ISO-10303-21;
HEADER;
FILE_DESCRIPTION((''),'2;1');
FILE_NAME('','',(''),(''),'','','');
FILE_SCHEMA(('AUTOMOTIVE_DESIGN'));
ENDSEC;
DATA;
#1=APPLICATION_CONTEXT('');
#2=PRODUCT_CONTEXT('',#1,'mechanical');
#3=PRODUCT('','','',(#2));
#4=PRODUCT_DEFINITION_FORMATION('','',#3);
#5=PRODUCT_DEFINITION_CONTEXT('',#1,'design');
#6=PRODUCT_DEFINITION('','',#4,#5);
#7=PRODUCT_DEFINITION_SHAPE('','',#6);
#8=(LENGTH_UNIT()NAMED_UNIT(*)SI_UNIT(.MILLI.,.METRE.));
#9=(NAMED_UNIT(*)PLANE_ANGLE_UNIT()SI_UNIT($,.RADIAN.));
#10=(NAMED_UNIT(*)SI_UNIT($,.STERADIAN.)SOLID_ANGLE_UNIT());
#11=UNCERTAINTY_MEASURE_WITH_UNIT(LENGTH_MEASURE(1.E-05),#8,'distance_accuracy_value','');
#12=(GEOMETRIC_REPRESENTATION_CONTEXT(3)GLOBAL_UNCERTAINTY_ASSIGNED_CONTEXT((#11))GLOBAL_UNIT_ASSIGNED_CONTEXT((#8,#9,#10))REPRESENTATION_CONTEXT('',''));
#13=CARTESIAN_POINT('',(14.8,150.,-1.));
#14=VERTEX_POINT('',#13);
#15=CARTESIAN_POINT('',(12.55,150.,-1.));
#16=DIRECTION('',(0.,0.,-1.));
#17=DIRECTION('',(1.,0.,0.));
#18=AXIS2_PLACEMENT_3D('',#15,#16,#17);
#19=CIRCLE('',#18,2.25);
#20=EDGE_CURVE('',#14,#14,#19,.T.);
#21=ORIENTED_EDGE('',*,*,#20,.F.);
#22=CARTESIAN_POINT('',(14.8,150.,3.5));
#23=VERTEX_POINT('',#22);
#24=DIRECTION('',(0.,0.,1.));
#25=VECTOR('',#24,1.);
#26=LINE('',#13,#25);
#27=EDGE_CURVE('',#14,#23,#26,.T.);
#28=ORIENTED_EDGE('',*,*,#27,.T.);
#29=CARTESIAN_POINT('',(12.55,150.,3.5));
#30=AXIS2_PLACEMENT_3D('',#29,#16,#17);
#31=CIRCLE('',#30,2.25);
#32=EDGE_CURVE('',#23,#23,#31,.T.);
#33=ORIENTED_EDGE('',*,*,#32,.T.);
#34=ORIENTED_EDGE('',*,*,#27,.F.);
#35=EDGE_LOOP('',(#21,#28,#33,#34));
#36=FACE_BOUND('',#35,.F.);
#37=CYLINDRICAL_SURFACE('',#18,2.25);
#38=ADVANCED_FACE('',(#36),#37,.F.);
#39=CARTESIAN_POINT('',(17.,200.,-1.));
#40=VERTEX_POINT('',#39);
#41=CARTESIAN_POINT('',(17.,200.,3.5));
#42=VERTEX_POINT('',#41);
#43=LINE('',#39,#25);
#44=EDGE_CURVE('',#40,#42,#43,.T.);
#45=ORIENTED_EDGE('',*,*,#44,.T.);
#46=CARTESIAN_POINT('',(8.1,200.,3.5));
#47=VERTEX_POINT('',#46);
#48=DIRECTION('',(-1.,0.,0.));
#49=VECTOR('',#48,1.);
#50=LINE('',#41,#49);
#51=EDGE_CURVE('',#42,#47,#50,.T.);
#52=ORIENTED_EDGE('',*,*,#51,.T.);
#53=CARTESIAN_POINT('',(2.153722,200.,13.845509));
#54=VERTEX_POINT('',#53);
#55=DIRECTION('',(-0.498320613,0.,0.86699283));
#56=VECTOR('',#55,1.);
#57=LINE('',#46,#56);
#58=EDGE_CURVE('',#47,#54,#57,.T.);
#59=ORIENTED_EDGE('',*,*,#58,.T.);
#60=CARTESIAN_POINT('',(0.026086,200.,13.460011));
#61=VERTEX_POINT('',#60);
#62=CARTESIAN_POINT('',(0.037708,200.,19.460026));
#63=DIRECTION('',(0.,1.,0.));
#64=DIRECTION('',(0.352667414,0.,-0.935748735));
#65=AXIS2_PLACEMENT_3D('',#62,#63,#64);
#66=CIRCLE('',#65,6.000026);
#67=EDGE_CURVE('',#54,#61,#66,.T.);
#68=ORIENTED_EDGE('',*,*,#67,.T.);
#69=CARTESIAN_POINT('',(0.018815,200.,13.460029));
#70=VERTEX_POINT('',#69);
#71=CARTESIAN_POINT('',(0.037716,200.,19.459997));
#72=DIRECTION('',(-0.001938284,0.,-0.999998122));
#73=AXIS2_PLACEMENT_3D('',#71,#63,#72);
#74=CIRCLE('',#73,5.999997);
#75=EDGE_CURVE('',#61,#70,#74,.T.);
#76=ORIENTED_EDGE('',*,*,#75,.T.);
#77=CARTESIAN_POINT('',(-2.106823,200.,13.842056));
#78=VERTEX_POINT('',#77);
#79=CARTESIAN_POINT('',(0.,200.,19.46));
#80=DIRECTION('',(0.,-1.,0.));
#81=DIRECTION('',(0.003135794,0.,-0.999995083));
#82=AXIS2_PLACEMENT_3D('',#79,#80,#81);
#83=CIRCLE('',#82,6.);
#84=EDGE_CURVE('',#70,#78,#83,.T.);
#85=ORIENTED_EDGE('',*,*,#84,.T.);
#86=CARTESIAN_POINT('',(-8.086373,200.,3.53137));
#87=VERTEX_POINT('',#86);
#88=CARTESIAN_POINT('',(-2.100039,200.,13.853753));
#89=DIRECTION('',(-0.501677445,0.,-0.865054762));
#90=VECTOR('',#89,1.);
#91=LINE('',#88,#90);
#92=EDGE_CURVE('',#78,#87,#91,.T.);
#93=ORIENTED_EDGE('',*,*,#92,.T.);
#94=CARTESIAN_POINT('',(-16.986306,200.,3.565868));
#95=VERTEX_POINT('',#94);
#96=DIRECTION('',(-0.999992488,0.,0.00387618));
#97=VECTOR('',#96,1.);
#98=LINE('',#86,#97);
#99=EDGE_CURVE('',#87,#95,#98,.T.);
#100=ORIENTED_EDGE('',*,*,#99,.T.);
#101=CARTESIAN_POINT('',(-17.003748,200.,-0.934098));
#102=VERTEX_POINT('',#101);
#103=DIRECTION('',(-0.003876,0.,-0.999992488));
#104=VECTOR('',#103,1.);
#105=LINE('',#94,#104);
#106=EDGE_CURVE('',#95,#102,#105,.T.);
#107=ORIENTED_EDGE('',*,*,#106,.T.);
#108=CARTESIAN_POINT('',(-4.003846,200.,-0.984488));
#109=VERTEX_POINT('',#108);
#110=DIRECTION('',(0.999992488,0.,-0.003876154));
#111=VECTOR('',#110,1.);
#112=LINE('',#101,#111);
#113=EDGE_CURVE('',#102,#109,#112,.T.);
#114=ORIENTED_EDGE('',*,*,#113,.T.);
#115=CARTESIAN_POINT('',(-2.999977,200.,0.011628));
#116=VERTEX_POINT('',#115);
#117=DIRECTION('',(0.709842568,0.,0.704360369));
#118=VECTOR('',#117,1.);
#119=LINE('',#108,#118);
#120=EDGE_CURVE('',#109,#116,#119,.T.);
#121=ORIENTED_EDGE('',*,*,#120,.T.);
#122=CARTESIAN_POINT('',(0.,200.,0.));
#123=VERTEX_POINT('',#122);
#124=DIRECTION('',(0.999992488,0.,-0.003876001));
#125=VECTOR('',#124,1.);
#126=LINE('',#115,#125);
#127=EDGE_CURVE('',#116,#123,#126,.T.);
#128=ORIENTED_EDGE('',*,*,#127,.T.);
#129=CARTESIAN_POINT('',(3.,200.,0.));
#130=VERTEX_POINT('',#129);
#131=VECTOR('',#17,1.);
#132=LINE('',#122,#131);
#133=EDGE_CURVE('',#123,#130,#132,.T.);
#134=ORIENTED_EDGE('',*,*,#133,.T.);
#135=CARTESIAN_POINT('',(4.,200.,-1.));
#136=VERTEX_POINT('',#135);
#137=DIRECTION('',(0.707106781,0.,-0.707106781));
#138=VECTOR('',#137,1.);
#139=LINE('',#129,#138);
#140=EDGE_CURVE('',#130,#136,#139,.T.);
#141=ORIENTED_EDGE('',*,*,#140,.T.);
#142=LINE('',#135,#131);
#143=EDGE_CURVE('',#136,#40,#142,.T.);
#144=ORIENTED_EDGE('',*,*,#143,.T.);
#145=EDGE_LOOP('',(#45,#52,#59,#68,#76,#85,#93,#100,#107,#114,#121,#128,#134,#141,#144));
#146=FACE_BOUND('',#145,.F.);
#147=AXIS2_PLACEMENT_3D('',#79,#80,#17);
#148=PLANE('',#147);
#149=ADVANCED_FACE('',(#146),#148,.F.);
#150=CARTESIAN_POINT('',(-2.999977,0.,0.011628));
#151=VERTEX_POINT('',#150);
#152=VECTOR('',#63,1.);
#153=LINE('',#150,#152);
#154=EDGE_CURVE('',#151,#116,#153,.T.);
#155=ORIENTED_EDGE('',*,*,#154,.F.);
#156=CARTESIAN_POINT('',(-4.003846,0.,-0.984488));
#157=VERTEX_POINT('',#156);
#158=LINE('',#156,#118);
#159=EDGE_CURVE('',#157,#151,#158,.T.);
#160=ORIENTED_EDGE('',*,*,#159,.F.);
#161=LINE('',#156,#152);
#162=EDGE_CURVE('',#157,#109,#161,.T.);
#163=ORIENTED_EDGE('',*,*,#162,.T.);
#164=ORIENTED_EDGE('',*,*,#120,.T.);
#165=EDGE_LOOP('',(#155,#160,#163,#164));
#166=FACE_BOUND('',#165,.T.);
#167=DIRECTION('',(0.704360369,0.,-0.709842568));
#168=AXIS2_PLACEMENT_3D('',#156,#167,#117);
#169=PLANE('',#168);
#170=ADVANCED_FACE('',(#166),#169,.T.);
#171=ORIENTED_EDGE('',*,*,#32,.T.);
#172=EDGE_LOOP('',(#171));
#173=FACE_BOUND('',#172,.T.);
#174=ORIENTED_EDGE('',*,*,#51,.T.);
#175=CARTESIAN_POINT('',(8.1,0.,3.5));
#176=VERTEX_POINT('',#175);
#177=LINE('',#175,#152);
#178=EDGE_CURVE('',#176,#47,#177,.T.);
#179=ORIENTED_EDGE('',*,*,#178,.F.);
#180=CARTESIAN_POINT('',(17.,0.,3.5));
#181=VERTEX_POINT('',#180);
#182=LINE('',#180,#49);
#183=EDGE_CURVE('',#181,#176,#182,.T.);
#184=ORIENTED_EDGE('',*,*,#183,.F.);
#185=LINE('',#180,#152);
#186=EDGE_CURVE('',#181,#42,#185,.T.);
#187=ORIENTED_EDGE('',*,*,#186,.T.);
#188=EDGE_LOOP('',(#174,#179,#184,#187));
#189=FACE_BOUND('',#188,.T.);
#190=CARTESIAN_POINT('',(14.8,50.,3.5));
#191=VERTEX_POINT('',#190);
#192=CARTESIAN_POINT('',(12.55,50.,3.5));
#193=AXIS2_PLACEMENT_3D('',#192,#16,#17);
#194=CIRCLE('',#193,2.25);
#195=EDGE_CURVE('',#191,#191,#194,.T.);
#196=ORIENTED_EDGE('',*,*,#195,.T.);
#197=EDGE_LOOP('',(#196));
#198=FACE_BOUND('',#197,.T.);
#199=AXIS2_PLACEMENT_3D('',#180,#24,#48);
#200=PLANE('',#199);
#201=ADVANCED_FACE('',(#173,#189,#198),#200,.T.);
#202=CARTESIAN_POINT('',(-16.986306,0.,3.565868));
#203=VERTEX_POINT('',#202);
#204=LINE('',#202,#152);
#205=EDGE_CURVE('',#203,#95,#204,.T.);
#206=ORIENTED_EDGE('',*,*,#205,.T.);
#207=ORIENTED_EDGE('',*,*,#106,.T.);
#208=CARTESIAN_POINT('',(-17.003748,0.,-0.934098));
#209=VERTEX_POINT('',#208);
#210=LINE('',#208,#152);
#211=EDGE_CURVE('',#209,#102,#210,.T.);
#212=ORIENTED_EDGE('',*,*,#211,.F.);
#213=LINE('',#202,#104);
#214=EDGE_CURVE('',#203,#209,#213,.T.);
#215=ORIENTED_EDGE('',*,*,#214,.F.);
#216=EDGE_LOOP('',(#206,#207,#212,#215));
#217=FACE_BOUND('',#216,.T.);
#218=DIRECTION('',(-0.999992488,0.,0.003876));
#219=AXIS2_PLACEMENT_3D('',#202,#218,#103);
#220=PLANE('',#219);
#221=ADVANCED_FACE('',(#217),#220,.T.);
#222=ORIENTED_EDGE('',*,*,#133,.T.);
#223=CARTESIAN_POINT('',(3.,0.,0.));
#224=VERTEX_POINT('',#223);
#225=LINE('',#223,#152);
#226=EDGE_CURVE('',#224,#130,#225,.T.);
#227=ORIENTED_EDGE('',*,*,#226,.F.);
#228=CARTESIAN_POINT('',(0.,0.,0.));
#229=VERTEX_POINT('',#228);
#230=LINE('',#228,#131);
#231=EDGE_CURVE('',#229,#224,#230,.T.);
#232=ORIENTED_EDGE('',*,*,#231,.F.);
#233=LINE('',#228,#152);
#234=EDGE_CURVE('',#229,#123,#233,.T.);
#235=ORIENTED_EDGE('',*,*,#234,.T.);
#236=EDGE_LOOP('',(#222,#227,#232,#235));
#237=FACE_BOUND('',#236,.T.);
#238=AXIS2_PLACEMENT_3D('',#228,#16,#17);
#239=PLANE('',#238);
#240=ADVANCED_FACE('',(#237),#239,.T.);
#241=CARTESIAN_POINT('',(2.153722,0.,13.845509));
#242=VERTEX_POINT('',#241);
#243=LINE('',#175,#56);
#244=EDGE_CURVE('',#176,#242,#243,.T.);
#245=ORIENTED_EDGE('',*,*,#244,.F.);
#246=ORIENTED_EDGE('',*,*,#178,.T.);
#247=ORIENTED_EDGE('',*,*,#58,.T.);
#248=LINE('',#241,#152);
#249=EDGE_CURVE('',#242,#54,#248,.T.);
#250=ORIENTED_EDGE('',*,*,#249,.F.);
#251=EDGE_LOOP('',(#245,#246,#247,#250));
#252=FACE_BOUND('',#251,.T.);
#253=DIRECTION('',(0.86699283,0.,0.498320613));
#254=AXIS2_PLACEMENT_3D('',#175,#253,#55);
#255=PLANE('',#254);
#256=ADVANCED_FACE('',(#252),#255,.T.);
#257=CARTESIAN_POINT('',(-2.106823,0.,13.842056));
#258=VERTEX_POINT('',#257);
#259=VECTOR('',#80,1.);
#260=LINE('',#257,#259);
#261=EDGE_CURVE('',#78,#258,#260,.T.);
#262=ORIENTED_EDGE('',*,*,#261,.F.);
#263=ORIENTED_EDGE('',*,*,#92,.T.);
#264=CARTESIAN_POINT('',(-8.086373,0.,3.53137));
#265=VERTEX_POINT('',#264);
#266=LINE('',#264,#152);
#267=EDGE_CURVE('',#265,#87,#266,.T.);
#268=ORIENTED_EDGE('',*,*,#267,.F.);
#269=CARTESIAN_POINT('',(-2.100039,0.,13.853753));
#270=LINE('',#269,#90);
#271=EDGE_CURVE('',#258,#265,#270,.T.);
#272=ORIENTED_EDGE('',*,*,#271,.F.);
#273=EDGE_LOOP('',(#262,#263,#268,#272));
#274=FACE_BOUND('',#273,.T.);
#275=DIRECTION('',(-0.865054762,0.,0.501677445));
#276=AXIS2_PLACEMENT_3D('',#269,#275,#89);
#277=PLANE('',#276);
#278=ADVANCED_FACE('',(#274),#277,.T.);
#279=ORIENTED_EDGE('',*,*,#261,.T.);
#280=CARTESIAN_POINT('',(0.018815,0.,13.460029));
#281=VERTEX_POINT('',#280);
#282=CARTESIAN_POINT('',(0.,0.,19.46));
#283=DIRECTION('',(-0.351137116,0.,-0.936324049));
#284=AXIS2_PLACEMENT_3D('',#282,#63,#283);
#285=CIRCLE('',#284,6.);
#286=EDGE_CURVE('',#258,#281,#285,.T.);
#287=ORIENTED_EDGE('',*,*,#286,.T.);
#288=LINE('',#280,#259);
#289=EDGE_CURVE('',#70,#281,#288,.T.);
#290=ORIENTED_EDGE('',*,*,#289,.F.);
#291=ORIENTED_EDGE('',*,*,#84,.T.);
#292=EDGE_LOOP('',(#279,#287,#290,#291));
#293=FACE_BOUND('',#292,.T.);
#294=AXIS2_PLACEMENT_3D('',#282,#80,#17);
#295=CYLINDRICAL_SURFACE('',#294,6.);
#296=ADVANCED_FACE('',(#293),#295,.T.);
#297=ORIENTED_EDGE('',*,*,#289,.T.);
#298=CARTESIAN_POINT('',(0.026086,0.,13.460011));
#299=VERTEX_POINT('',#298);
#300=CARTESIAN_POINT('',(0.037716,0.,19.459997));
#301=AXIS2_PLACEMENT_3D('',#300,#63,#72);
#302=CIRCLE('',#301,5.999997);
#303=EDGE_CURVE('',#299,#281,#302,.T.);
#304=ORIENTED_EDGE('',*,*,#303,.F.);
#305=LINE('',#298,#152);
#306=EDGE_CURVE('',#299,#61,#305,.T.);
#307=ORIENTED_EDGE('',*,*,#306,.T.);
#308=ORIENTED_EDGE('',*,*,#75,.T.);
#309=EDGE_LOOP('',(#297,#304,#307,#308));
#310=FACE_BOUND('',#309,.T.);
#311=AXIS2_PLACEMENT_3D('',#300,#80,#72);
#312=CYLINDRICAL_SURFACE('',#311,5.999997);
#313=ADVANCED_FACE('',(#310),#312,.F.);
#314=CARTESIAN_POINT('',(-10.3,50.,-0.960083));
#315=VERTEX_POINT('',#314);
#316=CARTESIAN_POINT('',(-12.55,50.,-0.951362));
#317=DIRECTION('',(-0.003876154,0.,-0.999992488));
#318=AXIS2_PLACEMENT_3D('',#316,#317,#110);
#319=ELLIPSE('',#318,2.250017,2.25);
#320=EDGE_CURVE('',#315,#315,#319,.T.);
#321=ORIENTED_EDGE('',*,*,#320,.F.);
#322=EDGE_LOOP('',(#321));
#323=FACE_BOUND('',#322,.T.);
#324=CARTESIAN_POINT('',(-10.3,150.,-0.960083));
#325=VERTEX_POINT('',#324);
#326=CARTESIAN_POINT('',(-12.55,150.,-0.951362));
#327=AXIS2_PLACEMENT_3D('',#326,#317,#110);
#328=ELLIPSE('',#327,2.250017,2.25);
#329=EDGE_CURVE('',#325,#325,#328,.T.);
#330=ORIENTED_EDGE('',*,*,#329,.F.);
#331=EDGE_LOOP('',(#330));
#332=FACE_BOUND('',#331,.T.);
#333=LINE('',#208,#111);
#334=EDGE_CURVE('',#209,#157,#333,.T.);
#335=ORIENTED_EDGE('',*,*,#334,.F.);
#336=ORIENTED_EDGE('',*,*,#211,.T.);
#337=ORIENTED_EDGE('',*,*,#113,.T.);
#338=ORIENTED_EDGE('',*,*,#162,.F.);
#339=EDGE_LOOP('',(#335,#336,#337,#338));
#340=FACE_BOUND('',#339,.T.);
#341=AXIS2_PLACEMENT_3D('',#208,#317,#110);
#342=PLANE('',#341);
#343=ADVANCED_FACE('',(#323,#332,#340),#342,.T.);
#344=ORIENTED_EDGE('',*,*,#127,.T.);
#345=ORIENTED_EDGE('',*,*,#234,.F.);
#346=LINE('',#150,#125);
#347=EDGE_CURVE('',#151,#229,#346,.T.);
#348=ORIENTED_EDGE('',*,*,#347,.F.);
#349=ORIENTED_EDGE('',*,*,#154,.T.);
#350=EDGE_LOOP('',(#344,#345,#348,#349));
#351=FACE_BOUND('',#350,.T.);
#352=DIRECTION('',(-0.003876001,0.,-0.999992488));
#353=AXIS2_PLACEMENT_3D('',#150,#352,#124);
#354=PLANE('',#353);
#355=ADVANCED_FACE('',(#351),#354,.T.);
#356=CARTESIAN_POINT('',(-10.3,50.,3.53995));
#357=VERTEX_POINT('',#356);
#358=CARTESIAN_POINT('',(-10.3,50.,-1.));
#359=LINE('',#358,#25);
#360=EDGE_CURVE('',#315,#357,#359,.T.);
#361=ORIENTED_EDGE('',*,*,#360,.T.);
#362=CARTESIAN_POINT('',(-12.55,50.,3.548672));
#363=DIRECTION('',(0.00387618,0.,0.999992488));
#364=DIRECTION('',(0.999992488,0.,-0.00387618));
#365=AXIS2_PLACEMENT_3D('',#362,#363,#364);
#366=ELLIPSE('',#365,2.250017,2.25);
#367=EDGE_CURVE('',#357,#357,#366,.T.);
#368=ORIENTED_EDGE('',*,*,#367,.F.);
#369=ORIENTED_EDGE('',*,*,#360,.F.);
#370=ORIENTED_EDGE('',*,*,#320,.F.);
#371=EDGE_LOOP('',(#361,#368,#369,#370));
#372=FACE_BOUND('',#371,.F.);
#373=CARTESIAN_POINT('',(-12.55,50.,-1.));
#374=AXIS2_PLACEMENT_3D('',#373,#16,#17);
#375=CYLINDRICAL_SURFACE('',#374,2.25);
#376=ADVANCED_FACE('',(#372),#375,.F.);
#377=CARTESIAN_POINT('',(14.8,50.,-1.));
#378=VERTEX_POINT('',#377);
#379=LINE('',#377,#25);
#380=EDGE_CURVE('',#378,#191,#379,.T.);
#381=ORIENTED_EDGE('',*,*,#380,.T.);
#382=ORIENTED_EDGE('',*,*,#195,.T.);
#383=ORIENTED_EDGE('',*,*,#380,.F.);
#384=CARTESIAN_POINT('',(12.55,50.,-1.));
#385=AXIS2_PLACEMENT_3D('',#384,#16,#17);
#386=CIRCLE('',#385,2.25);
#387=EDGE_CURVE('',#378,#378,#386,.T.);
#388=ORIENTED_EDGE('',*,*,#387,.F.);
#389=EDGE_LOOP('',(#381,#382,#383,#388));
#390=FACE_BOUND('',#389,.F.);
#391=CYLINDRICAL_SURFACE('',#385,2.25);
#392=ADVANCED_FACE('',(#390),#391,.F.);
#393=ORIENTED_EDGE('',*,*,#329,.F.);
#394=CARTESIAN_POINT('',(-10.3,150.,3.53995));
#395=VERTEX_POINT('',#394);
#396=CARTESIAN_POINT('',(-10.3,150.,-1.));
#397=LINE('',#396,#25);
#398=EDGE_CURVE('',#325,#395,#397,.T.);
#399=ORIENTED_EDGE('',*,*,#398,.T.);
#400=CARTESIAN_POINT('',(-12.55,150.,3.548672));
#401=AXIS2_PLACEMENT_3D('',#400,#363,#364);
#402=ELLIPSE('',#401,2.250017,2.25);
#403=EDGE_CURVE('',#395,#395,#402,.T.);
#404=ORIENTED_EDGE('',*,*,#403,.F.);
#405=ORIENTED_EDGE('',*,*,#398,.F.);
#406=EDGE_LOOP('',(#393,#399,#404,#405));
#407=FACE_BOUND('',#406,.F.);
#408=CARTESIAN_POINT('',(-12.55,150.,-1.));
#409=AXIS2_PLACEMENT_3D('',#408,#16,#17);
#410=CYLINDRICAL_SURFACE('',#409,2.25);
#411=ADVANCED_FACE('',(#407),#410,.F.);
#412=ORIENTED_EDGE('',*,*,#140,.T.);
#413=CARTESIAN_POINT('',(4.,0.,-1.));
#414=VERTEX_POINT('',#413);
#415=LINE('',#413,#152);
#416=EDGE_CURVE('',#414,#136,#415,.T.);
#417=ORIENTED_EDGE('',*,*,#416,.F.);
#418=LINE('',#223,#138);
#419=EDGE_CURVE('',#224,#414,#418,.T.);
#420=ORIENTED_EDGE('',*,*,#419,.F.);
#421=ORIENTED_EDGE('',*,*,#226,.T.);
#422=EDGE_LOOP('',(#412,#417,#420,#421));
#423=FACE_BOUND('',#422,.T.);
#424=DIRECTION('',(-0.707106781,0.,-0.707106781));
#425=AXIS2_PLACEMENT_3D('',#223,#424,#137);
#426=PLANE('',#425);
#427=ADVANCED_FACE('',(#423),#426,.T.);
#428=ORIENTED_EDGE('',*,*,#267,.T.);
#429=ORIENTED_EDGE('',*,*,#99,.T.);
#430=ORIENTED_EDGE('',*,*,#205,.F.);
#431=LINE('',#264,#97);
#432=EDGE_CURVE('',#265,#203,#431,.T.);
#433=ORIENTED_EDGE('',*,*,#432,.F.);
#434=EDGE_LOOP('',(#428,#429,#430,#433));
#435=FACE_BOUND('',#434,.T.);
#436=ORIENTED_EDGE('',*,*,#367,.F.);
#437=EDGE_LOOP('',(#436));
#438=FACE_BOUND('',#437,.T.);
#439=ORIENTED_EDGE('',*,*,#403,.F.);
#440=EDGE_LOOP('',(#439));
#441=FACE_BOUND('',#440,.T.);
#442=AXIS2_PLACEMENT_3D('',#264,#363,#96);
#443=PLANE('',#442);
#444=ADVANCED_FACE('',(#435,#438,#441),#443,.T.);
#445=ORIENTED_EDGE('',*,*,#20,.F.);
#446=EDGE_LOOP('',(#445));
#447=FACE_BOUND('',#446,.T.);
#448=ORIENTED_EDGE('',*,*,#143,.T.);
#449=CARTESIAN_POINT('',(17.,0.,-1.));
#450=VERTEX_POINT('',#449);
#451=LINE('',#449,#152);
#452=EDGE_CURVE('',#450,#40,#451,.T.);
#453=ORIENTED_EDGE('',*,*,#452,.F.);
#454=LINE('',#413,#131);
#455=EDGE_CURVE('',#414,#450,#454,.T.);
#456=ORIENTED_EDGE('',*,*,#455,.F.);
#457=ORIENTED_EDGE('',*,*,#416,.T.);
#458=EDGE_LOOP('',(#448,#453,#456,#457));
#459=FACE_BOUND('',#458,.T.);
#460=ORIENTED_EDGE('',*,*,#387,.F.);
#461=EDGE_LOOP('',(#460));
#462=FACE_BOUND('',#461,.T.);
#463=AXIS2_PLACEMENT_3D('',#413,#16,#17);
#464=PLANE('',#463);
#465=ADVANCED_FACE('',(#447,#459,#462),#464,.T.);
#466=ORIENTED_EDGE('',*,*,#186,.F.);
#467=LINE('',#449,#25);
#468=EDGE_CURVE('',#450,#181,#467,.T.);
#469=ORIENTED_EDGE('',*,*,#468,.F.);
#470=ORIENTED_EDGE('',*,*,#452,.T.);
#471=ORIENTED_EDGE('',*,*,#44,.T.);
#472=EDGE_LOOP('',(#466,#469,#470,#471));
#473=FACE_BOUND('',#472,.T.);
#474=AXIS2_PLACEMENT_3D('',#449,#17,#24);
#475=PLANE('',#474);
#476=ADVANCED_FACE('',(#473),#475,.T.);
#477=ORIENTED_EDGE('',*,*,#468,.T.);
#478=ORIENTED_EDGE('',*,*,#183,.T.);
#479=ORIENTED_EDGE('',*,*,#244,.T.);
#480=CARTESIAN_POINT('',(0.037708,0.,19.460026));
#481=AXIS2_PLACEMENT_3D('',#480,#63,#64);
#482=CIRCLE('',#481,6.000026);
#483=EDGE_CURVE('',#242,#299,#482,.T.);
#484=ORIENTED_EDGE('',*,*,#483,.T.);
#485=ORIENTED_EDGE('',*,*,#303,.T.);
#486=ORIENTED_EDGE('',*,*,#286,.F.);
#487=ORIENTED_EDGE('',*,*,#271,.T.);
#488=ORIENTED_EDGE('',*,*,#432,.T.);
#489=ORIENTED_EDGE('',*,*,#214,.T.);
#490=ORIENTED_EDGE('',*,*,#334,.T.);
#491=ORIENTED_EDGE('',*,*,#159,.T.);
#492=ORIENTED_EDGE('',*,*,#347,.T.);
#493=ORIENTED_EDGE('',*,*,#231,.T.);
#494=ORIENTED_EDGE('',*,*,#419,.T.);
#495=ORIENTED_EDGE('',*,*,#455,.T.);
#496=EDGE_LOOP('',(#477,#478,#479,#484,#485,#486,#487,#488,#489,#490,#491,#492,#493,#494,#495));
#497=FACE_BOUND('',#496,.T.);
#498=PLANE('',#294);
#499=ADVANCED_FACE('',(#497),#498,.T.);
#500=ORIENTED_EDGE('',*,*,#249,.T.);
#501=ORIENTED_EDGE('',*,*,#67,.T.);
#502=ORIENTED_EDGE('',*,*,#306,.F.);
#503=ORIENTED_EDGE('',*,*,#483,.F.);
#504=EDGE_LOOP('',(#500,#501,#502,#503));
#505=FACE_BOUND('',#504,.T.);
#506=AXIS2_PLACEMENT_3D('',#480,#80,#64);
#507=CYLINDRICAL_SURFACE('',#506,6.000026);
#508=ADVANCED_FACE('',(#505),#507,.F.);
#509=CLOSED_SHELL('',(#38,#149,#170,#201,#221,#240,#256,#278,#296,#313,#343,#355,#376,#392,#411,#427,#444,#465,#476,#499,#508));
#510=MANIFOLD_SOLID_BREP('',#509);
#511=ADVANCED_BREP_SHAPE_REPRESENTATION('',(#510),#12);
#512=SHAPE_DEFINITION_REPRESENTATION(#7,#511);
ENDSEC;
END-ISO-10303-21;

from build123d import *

# Parameters (mm, degrees)
F1_DEPTH = 200
F2_R     = 6
F3_DEPTH = 200
F4_R     = 2.25
F5_DEPTH = 26.461


with BuildPart() as f1:
    # F0 (on Front) → F1 (new body)
    with BuildSketch(Plane.XZ):
        with BuildLine():
            ThreePointArc((2.153722, 13.845509), (1.107413, 13.556125), (0.026086, 13.460011))
            ThreePointArc((0.026086, 13.460011), (-1.054859, 13.560315), (-2.100039, 13.853753))
            Line((-2.100039, 13.853753), (-8.086373, 3.53137))
            Line((-8.086373, 3.53137), (-16.986306, 3.565868))
            Line((-16.986306, 3.565868), (-17.003748, -0.934098))
            Line((-17.003748, -0.934098), (-4.003846, -0.984488))
            Line((-4.003846, -0.984488), (-2.999977, 0.011628))
            Line((-2.999977, 0.011628), (0, 0))
            Line((0, 0), (3, 0))
            Line((3, 0), (4, -1))
            Line((4, -1), (17, -1))
            Line((17, -1), (17, 3.5))
            Line((17, 3.5), (8.1, 3.5))
            Line((8.1, 3.5), (2.153722, 13.845509))
        make_face()
    extrude(amount=-F1_DEPTH)

    # F2 (on Front) → F3 (join)
    with BuildSketch(Plane.XZ):
        with Locations((0, 19.46)):
            Circle(F2_R)
    extrude(amount=-F3_DEPTH)

    # F4 (on face) → F5 (cut, through all)
    with BuildSketch(Plane(origin=(0, 0, -1), x_dir=(1, 0, 0), z_dir=(0, 0, -1))):
        with Locations((12.55, -50)):
            Circle(F4_R)
        with Locations((12.55, -150)):
            Circle(F4_R)
        with Locations((-12.55, -150)):
            Circle(F4_R)
        with Locations((-12.55, -50)):
            Circle(F4_R)
    extrude(amount=-F5_DEPTH, mode=Mode.SUBTRACT)


solid = f1.part
